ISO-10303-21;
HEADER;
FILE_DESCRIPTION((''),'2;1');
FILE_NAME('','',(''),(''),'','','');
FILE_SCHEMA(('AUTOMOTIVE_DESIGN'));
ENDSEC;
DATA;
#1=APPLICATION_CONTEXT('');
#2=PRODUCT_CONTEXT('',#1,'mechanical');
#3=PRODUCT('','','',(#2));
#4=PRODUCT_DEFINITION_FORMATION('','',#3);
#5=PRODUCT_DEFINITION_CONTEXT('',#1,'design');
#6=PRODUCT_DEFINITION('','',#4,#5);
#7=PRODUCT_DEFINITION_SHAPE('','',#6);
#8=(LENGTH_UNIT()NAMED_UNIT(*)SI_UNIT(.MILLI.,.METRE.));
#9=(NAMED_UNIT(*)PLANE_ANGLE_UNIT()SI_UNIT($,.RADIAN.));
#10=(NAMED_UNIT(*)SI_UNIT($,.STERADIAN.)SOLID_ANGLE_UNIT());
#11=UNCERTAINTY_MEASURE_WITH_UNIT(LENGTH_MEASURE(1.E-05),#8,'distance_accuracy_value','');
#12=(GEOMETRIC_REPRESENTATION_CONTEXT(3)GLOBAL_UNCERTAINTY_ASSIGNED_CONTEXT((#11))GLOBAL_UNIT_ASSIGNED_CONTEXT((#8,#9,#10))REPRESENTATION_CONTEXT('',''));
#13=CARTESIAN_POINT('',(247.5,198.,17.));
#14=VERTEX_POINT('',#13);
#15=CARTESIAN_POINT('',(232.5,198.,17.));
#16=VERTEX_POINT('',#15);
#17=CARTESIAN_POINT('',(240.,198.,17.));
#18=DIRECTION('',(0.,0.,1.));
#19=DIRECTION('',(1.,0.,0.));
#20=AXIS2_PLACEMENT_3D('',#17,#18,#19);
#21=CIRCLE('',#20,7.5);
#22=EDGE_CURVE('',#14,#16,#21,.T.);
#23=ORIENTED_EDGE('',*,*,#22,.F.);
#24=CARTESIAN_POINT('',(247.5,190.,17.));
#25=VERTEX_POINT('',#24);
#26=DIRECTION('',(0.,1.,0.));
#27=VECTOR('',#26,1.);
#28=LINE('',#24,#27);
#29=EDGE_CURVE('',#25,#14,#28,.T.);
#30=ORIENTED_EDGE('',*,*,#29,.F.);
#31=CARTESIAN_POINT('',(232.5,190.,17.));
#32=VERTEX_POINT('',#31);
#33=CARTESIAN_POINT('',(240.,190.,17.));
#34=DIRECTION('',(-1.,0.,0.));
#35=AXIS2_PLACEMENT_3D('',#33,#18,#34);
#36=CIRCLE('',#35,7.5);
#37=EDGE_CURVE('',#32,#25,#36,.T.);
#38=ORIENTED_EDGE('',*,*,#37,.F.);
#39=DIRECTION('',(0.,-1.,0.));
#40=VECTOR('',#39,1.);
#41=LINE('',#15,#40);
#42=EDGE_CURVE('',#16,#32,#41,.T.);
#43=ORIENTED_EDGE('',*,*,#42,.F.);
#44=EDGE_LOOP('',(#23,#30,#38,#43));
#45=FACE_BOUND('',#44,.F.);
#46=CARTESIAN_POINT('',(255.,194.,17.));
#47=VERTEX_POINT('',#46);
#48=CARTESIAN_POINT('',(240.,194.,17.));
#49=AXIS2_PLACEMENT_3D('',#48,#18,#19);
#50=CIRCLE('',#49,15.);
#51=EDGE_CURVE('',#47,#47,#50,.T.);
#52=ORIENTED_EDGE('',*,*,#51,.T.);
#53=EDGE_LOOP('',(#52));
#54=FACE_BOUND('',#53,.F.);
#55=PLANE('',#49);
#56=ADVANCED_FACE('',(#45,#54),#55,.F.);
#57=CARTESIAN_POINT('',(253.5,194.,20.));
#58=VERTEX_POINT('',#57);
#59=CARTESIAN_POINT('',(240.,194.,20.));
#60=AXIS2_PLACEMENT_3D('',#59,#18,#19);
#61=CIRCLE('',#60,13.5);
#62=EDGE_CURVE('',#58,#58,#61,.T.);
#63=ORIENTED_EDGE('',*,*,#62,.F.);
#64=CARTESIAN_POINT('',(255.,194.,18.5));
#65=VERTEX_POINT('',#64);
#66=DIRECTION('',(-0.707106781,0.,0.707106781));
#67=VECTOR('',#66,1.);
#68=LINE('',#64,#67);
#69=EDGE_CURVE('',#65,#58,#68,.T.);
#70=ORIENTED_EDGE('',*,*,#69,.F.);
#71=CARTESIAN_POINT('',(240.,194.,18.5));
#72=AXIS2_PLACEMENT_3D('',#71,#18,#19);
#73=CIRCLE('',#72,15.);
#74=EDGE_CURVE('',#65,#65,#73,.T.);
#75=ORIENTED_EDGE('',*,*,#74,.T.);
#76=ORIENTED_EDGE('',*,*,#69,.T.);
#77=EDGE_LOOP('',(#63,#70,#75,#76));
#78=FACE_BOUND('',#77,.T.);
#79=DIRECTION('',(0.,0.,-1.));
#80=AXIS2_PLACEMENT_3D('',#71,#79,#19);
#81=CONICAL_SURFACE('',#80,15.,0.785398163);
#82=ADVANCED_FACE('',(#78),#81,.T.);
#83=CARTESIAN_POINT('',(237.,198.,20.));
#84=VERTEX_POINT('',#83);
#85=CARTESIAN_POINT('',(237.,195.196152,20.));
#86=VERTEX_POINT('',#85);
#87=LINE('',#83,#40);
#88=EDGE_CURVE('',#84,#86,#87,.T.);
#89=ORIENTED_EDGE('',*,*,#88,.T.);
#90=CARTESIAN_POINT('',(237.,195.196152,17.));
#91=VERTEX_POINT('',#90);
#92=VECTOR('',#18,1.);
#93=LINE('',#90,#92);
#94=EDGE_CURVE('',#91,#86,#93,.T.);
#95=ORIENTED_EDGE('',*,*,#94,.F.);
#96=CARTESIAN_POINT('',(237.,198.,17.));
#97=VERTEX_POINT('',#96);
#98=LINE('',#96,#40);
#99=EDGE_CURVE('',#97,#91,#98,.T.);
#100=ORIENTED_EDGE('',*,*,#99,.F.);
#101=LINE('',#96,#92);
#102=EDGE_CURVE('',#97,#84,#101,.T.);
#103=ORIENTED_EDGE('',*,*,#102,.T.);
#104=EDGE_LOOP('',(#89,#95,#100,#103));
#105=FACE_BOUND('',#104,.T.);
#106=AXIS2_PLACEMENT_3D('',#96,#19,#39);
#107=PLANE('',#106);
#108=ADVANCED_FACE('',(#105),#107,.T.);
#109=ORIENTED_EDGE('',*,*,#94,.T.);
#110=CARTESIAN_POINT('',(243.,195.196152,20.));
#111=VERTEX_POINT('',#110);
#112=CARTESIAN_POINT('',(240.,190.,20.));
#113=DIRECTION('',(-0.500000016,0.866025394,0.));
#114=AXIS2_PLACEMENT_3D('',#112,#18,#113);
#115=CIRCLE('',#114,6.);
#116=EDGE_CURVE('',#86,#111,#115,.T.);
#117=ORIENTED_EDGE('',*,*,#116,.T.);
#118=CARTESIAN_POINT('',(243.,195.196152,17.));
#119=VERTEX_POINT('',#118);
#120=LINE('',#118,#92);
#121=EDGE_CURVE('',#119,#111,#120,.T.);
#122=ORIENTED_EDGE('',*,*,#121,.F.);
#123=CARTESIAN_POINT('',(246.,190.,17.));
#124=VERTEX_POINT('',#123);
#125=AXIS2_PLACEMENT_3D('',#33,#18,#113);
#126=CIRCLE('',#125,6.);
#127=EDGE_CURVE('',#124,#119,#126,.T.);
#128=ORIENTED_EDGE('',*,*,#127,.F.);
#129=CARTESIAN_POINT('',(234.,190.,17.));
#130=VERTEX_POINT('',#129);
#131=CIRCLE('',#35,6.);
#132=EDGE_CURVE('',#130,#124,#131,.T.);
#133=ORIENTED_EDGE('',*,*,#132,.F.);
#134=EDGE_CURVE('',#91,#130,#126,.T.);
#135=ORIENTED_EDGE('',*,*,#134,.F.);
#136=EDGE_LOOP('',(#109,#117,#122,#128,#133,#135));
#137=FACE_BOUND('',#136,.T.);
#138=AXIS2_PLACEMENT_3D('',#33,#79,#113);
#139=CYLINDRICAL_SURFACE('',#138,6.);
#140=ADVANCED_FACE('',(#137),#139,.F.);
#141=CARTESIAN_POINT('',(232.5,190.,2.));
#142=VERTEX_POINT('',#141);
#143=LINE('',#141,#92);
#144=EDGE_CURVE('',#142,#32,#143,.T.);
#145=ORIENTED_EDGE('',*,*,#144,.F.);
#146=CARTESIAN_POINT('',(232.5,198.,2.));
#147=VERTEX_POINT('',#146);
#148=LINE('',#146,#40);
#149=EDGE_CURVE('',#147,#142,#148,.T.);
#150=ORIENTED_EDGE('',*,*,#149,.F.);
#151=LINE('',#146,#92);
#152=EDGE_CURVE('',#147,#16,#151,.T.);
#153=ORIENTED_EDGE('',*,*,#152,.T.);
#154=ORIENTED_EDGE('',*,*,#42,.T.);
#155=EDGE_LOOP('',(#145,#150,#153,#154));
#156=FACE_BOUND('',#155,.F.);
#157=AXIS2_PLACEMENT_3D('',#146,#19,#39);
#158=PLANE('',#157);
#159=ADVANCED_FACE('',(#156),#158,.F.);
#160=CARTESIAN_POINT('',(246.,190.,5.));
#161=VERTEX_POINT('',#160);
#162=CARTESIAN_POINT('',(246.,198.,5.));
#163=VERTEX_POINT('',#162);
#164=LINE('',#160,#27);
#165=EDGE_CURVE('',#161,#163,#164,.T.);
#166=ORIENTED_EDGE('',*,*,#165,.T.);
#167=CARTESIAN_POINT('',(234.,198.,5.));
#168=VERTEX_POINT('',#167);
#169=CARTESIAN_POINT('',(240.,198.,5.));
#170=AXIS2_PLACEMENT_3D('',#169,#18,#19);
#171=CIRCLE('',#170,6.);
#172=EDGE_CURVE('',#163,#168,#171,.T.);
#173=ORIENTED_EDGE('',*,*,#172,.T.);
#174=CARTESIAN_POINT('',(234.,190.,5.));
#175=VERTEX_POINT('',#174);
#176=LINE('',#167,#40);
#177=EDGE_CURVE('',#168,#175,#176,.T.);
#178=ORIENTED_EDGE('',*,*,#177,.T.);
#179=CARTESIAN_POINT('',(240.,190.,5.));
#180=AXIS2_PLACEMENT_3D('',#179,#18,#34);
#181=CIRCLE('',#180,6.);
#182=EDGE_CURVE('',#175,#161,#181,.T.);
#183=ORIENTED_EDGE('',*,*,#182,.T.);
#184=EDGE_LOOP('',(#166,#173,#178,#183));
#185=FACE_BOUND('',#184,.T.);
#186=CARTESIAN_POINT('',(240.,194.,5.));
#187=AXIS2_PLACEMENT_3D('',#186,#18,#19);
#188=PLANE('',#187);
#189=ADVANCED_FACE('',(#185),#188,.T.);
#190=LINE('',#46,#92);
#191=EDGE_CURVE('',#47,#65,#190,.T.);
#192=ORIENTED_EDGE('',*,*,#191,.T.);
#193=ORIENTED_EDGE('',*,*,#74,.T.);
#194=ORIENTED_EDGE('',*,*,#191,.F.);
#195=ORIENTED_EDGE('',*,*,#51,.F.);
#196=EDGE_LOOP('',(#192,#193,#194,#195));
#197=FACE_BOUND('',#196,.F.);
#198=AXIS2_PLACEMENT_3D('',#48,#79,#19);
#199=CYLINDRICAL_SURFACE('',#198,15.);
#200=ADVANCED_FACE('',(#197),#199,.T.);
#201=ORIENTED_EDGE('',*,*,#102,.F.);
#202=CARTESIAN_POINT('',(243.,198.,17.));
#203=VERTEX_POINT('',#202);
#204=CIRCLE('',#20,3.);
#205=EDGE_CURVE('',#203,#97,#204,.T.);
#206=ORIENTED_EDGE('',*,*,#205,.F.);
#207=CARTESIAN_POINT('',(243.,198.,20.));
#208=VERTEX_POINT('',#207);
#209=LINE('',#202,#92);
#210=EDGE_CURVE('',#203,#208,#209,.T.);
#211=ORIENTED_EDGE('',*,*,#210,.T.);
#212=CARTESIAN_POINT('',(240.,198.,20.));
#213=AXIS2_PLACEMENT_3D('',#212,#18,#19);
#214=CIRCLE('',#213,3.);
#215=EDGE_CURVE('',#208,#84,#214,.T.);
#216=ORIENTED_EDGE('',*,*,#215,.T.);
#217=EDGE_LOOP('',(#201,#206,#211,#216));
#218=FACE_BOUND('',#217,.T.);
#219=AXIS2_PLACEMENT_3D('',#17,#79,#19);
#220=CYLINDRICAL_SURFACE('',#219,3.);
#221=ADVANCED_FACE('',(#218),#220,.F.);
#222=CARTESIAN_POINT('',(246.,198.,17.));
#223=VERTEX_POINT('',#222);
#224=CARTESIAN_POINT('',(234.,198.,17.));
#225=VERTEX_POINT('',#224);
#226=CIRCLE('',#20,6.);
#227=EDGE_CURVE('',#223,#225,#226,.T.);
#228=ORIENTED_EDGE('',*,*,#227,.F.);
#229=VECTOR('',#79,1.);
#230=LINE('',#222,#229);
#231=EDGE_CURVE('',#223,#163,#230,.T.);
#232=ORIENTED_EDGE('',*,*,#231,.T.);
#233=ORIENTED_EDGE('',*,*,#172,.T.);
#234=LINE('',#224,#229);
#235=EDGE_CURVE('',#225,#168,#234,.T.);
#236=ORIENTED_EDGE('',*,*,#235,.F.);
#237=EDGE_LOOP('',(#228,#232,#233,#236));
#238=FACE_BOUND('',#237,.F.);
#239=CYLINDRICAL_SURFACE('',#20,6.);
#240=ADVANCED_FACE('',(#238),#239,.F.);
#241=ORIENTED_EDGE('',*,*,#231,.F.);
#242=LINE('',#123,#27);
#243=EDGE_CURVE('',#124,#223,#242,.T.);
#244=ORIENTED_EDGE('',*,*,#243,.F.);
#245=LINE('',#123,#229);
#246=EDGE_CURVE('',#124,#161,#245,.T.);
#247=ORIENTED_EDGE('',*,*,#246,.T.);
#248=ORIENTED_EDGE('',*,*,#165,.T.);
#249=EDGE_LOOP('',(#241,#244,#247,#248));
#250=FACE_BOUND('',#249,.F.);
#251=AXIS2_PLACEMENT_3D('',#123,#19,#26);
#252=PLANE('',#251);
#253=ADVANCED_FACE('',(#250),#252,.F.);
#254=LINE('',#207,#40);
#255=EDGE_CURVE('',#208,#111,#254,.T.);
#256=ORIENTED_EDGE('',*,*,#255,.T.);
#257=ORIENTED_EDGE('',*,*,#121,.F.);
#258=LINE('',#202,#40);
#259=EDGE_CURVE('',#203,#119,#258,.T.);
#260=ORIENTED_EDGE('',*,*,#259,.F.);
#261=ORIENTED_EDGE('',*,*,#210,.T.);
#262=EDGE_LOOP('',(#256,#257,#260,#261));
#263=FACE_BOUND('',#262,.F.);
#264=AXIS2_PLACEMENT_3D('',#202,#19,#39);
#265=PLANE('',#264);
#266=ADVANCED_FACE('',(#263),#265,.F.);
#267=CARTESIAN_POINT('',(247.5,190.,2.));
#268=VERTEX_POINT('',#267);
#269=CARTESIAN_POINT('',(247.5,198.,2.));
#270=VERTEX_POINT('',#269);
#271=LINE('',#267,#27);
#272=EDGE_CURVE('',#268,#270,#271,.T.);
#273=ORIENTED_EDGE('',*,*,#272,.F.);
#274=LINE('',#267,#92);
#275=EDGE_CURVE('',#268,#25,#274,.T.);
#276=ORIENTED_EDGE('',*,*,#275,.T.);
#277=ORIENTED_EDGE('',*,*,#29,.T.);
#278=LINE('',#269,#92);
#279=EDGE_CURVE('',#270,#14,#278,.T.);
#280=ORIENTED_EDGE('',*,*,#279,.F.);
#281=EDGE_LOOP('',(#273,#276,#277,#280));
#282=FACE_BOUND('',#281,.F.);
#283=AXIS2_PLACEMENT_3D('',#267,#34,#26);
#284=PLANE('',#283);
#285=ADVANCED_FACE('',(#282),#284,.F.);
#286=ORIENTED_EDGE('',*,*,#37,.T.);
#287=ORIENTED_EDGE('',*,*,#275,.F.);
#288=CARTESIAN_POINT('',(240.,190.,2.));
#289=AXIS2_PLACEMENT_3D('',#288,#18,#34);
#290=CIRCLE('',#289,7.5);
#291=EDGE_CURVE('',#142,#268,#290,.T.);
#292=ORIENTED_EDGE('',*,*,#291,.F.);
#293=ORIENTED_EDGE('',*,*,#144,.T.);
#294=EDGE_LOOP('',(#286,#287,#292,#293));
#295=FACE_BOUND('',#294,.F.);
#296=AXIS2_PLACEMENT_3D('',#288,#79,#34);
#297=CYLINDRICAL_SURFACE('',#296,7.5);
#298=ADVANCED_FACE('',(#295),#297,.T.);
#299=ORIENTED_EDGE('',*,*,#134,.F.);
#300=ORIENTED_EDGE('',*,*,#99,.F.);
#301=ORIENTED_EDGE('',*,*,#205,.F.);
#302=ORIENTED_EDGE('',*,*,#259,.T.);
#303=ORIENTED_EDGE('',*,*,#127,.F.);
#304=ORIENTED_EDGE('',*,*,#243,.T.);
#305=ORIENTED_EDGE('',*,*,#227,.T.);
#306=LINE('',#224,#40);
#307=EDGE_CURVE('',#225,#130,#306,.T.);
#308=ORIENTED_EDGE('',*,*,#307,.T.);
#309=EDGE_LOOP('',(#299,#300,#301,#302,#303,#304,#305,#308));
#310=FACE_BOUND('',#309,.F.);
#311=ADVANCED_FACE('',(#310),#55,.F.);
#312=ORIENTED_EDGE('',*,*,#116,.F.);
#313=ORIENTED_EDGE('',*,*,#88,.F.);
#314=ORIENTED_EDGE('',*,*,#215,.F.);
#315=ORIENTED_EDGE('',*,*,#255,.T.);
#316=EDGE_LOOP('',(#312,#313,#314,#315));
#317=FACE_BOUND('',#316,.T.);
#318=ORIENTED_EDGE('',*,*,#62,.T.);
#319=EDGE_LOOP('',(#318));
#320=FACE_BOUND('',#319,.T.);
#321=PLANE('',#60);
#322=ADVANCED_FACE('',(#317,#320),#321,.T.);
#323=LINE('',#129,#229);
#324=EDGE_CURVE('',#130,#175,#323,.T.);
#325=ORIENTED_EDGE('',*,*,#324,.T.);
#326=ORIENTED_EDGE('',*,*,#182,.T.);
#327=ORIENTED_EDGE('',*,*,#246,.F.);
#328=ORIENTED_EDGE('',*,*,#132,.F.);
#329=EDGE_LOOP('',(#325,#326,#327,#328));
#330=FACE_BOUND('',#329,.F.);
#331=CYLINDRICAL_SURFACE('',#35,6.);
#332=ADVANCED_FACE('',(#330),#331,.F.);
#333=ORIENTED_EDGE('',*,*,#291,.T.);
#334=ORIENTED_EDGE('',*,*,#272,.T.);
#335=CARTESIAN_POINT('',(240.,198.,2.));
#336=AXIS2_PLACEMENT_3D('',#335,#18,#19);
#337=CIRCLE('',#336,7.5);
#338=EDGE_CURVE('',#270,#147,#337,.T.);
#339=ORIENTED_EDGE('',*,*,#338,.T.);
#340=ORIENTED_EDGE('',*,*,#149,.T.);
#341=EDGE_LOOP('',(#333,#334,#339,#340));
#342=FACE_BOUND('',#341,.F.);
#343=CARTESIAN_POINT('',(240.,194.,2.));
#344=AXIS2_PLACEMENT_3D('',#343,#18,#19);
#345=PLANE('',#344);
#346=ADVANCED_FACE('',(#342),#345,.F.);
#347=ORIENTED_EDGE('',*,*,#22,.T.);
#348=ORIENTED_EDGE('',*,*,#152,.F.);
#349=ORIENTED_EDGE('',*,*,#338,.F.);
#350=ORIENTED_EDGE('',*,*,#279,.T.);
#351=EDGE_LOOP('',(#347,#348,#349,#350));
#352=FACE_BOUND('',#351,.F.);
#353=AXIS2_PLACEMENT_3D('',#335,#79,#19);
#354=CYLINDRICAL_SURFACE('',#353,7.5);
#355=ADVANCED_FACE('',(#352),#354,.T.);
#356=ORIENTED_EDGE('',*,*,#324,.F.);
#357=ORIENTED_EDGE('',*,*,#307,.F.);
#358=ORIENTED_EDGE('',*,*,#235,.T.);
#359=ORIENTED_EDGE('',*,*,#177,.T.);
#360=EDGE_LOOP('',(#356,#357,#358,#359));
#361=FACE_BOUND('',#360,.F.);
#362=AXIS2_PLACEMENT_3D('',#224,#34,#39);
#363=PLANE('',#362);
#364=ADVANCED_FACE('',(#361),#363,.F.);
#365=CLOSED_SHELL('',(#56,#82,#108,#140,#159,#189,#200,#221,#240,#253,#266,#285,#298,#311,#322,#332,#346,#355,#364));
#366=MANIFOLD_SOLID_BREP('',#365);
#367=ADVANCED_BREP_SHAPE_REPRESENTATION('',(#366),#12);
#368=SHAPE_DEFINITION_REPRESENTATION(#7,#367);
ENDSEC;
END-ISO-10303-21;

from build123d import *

# Parameters (mm, degrees)
PAD009_DEPTH    = 15
POCKET020_DEPTH = 12
SKETCH033_R     = 15
PAD010_DEPTH    = 3
CHAMFER_SIZE    = 1.5


with BuildPart() as part:
    # Sketch031 → Pad009 (new body)
    with BuildSketch(Plane.XY):
        with BuildLine():
            ThreePointArc((7.5, 8), (0, 15.5), (-7.5, 8))
            Line((-7.5, 8), (-7.5, 0))
            ThreePointArc((-7.5, 0), (0, -7.5), (7.5, 0))
            Line((7.5, 0), (7.5, 8))
        make_face()
    extrude(amount=PAD009_DEPTH)

    # Sketch032 (on Face6 of Pad009) → Pocket020 (cut)
    with BuildSketch(Plane.XY.offset(15)):
        with BuildLine():
            ThreePointArc((-6, 0), (0, -6), (6, 0))
            Line((6, 0), (6, 8))
            ThreePointArc((6, 8), (0, 14), (-6, 8))
            Line((-6, 8), (-6, 0))
        make_face()
    extrude(amount=-POCKET020_DEPTH, mode=Mode.SUBTRACT)

    # Sketch033 (on Face5 of Pocket020) → Pad010 (join)
    with BuildSketch(Plane.XY.offset(15)):
        with Locations((0, 4)):
            Circle(SKETCH033_R)
        with BuildLine():
            ThreePointArc((-3, 5.196152), (0, -6), (3, 5.196152))
            Line((3, 8), (3, 5.196152))
            ThreePointArc((3, 8), (0, 11), (-3, 8))
            Line((-3, 8), (-3, 5.196152))
        make_face(mode=Mode.SUBTRACT)
    extrude(amount=PAD010_DEPTH)

    # Chamfer
    chamfer_edges = [part.edges().sort_by_distance(p)[0] for p in [
        (-15, 4, 18),
    ]]
    chamfer(chamfer_edges, length=CHAMFER_SIZE)


with BuildPart() as part_1:
    # Body003 placement: moved
    add(part.part.moved(Location((240, 190, 2))))


solid = part_1.part
